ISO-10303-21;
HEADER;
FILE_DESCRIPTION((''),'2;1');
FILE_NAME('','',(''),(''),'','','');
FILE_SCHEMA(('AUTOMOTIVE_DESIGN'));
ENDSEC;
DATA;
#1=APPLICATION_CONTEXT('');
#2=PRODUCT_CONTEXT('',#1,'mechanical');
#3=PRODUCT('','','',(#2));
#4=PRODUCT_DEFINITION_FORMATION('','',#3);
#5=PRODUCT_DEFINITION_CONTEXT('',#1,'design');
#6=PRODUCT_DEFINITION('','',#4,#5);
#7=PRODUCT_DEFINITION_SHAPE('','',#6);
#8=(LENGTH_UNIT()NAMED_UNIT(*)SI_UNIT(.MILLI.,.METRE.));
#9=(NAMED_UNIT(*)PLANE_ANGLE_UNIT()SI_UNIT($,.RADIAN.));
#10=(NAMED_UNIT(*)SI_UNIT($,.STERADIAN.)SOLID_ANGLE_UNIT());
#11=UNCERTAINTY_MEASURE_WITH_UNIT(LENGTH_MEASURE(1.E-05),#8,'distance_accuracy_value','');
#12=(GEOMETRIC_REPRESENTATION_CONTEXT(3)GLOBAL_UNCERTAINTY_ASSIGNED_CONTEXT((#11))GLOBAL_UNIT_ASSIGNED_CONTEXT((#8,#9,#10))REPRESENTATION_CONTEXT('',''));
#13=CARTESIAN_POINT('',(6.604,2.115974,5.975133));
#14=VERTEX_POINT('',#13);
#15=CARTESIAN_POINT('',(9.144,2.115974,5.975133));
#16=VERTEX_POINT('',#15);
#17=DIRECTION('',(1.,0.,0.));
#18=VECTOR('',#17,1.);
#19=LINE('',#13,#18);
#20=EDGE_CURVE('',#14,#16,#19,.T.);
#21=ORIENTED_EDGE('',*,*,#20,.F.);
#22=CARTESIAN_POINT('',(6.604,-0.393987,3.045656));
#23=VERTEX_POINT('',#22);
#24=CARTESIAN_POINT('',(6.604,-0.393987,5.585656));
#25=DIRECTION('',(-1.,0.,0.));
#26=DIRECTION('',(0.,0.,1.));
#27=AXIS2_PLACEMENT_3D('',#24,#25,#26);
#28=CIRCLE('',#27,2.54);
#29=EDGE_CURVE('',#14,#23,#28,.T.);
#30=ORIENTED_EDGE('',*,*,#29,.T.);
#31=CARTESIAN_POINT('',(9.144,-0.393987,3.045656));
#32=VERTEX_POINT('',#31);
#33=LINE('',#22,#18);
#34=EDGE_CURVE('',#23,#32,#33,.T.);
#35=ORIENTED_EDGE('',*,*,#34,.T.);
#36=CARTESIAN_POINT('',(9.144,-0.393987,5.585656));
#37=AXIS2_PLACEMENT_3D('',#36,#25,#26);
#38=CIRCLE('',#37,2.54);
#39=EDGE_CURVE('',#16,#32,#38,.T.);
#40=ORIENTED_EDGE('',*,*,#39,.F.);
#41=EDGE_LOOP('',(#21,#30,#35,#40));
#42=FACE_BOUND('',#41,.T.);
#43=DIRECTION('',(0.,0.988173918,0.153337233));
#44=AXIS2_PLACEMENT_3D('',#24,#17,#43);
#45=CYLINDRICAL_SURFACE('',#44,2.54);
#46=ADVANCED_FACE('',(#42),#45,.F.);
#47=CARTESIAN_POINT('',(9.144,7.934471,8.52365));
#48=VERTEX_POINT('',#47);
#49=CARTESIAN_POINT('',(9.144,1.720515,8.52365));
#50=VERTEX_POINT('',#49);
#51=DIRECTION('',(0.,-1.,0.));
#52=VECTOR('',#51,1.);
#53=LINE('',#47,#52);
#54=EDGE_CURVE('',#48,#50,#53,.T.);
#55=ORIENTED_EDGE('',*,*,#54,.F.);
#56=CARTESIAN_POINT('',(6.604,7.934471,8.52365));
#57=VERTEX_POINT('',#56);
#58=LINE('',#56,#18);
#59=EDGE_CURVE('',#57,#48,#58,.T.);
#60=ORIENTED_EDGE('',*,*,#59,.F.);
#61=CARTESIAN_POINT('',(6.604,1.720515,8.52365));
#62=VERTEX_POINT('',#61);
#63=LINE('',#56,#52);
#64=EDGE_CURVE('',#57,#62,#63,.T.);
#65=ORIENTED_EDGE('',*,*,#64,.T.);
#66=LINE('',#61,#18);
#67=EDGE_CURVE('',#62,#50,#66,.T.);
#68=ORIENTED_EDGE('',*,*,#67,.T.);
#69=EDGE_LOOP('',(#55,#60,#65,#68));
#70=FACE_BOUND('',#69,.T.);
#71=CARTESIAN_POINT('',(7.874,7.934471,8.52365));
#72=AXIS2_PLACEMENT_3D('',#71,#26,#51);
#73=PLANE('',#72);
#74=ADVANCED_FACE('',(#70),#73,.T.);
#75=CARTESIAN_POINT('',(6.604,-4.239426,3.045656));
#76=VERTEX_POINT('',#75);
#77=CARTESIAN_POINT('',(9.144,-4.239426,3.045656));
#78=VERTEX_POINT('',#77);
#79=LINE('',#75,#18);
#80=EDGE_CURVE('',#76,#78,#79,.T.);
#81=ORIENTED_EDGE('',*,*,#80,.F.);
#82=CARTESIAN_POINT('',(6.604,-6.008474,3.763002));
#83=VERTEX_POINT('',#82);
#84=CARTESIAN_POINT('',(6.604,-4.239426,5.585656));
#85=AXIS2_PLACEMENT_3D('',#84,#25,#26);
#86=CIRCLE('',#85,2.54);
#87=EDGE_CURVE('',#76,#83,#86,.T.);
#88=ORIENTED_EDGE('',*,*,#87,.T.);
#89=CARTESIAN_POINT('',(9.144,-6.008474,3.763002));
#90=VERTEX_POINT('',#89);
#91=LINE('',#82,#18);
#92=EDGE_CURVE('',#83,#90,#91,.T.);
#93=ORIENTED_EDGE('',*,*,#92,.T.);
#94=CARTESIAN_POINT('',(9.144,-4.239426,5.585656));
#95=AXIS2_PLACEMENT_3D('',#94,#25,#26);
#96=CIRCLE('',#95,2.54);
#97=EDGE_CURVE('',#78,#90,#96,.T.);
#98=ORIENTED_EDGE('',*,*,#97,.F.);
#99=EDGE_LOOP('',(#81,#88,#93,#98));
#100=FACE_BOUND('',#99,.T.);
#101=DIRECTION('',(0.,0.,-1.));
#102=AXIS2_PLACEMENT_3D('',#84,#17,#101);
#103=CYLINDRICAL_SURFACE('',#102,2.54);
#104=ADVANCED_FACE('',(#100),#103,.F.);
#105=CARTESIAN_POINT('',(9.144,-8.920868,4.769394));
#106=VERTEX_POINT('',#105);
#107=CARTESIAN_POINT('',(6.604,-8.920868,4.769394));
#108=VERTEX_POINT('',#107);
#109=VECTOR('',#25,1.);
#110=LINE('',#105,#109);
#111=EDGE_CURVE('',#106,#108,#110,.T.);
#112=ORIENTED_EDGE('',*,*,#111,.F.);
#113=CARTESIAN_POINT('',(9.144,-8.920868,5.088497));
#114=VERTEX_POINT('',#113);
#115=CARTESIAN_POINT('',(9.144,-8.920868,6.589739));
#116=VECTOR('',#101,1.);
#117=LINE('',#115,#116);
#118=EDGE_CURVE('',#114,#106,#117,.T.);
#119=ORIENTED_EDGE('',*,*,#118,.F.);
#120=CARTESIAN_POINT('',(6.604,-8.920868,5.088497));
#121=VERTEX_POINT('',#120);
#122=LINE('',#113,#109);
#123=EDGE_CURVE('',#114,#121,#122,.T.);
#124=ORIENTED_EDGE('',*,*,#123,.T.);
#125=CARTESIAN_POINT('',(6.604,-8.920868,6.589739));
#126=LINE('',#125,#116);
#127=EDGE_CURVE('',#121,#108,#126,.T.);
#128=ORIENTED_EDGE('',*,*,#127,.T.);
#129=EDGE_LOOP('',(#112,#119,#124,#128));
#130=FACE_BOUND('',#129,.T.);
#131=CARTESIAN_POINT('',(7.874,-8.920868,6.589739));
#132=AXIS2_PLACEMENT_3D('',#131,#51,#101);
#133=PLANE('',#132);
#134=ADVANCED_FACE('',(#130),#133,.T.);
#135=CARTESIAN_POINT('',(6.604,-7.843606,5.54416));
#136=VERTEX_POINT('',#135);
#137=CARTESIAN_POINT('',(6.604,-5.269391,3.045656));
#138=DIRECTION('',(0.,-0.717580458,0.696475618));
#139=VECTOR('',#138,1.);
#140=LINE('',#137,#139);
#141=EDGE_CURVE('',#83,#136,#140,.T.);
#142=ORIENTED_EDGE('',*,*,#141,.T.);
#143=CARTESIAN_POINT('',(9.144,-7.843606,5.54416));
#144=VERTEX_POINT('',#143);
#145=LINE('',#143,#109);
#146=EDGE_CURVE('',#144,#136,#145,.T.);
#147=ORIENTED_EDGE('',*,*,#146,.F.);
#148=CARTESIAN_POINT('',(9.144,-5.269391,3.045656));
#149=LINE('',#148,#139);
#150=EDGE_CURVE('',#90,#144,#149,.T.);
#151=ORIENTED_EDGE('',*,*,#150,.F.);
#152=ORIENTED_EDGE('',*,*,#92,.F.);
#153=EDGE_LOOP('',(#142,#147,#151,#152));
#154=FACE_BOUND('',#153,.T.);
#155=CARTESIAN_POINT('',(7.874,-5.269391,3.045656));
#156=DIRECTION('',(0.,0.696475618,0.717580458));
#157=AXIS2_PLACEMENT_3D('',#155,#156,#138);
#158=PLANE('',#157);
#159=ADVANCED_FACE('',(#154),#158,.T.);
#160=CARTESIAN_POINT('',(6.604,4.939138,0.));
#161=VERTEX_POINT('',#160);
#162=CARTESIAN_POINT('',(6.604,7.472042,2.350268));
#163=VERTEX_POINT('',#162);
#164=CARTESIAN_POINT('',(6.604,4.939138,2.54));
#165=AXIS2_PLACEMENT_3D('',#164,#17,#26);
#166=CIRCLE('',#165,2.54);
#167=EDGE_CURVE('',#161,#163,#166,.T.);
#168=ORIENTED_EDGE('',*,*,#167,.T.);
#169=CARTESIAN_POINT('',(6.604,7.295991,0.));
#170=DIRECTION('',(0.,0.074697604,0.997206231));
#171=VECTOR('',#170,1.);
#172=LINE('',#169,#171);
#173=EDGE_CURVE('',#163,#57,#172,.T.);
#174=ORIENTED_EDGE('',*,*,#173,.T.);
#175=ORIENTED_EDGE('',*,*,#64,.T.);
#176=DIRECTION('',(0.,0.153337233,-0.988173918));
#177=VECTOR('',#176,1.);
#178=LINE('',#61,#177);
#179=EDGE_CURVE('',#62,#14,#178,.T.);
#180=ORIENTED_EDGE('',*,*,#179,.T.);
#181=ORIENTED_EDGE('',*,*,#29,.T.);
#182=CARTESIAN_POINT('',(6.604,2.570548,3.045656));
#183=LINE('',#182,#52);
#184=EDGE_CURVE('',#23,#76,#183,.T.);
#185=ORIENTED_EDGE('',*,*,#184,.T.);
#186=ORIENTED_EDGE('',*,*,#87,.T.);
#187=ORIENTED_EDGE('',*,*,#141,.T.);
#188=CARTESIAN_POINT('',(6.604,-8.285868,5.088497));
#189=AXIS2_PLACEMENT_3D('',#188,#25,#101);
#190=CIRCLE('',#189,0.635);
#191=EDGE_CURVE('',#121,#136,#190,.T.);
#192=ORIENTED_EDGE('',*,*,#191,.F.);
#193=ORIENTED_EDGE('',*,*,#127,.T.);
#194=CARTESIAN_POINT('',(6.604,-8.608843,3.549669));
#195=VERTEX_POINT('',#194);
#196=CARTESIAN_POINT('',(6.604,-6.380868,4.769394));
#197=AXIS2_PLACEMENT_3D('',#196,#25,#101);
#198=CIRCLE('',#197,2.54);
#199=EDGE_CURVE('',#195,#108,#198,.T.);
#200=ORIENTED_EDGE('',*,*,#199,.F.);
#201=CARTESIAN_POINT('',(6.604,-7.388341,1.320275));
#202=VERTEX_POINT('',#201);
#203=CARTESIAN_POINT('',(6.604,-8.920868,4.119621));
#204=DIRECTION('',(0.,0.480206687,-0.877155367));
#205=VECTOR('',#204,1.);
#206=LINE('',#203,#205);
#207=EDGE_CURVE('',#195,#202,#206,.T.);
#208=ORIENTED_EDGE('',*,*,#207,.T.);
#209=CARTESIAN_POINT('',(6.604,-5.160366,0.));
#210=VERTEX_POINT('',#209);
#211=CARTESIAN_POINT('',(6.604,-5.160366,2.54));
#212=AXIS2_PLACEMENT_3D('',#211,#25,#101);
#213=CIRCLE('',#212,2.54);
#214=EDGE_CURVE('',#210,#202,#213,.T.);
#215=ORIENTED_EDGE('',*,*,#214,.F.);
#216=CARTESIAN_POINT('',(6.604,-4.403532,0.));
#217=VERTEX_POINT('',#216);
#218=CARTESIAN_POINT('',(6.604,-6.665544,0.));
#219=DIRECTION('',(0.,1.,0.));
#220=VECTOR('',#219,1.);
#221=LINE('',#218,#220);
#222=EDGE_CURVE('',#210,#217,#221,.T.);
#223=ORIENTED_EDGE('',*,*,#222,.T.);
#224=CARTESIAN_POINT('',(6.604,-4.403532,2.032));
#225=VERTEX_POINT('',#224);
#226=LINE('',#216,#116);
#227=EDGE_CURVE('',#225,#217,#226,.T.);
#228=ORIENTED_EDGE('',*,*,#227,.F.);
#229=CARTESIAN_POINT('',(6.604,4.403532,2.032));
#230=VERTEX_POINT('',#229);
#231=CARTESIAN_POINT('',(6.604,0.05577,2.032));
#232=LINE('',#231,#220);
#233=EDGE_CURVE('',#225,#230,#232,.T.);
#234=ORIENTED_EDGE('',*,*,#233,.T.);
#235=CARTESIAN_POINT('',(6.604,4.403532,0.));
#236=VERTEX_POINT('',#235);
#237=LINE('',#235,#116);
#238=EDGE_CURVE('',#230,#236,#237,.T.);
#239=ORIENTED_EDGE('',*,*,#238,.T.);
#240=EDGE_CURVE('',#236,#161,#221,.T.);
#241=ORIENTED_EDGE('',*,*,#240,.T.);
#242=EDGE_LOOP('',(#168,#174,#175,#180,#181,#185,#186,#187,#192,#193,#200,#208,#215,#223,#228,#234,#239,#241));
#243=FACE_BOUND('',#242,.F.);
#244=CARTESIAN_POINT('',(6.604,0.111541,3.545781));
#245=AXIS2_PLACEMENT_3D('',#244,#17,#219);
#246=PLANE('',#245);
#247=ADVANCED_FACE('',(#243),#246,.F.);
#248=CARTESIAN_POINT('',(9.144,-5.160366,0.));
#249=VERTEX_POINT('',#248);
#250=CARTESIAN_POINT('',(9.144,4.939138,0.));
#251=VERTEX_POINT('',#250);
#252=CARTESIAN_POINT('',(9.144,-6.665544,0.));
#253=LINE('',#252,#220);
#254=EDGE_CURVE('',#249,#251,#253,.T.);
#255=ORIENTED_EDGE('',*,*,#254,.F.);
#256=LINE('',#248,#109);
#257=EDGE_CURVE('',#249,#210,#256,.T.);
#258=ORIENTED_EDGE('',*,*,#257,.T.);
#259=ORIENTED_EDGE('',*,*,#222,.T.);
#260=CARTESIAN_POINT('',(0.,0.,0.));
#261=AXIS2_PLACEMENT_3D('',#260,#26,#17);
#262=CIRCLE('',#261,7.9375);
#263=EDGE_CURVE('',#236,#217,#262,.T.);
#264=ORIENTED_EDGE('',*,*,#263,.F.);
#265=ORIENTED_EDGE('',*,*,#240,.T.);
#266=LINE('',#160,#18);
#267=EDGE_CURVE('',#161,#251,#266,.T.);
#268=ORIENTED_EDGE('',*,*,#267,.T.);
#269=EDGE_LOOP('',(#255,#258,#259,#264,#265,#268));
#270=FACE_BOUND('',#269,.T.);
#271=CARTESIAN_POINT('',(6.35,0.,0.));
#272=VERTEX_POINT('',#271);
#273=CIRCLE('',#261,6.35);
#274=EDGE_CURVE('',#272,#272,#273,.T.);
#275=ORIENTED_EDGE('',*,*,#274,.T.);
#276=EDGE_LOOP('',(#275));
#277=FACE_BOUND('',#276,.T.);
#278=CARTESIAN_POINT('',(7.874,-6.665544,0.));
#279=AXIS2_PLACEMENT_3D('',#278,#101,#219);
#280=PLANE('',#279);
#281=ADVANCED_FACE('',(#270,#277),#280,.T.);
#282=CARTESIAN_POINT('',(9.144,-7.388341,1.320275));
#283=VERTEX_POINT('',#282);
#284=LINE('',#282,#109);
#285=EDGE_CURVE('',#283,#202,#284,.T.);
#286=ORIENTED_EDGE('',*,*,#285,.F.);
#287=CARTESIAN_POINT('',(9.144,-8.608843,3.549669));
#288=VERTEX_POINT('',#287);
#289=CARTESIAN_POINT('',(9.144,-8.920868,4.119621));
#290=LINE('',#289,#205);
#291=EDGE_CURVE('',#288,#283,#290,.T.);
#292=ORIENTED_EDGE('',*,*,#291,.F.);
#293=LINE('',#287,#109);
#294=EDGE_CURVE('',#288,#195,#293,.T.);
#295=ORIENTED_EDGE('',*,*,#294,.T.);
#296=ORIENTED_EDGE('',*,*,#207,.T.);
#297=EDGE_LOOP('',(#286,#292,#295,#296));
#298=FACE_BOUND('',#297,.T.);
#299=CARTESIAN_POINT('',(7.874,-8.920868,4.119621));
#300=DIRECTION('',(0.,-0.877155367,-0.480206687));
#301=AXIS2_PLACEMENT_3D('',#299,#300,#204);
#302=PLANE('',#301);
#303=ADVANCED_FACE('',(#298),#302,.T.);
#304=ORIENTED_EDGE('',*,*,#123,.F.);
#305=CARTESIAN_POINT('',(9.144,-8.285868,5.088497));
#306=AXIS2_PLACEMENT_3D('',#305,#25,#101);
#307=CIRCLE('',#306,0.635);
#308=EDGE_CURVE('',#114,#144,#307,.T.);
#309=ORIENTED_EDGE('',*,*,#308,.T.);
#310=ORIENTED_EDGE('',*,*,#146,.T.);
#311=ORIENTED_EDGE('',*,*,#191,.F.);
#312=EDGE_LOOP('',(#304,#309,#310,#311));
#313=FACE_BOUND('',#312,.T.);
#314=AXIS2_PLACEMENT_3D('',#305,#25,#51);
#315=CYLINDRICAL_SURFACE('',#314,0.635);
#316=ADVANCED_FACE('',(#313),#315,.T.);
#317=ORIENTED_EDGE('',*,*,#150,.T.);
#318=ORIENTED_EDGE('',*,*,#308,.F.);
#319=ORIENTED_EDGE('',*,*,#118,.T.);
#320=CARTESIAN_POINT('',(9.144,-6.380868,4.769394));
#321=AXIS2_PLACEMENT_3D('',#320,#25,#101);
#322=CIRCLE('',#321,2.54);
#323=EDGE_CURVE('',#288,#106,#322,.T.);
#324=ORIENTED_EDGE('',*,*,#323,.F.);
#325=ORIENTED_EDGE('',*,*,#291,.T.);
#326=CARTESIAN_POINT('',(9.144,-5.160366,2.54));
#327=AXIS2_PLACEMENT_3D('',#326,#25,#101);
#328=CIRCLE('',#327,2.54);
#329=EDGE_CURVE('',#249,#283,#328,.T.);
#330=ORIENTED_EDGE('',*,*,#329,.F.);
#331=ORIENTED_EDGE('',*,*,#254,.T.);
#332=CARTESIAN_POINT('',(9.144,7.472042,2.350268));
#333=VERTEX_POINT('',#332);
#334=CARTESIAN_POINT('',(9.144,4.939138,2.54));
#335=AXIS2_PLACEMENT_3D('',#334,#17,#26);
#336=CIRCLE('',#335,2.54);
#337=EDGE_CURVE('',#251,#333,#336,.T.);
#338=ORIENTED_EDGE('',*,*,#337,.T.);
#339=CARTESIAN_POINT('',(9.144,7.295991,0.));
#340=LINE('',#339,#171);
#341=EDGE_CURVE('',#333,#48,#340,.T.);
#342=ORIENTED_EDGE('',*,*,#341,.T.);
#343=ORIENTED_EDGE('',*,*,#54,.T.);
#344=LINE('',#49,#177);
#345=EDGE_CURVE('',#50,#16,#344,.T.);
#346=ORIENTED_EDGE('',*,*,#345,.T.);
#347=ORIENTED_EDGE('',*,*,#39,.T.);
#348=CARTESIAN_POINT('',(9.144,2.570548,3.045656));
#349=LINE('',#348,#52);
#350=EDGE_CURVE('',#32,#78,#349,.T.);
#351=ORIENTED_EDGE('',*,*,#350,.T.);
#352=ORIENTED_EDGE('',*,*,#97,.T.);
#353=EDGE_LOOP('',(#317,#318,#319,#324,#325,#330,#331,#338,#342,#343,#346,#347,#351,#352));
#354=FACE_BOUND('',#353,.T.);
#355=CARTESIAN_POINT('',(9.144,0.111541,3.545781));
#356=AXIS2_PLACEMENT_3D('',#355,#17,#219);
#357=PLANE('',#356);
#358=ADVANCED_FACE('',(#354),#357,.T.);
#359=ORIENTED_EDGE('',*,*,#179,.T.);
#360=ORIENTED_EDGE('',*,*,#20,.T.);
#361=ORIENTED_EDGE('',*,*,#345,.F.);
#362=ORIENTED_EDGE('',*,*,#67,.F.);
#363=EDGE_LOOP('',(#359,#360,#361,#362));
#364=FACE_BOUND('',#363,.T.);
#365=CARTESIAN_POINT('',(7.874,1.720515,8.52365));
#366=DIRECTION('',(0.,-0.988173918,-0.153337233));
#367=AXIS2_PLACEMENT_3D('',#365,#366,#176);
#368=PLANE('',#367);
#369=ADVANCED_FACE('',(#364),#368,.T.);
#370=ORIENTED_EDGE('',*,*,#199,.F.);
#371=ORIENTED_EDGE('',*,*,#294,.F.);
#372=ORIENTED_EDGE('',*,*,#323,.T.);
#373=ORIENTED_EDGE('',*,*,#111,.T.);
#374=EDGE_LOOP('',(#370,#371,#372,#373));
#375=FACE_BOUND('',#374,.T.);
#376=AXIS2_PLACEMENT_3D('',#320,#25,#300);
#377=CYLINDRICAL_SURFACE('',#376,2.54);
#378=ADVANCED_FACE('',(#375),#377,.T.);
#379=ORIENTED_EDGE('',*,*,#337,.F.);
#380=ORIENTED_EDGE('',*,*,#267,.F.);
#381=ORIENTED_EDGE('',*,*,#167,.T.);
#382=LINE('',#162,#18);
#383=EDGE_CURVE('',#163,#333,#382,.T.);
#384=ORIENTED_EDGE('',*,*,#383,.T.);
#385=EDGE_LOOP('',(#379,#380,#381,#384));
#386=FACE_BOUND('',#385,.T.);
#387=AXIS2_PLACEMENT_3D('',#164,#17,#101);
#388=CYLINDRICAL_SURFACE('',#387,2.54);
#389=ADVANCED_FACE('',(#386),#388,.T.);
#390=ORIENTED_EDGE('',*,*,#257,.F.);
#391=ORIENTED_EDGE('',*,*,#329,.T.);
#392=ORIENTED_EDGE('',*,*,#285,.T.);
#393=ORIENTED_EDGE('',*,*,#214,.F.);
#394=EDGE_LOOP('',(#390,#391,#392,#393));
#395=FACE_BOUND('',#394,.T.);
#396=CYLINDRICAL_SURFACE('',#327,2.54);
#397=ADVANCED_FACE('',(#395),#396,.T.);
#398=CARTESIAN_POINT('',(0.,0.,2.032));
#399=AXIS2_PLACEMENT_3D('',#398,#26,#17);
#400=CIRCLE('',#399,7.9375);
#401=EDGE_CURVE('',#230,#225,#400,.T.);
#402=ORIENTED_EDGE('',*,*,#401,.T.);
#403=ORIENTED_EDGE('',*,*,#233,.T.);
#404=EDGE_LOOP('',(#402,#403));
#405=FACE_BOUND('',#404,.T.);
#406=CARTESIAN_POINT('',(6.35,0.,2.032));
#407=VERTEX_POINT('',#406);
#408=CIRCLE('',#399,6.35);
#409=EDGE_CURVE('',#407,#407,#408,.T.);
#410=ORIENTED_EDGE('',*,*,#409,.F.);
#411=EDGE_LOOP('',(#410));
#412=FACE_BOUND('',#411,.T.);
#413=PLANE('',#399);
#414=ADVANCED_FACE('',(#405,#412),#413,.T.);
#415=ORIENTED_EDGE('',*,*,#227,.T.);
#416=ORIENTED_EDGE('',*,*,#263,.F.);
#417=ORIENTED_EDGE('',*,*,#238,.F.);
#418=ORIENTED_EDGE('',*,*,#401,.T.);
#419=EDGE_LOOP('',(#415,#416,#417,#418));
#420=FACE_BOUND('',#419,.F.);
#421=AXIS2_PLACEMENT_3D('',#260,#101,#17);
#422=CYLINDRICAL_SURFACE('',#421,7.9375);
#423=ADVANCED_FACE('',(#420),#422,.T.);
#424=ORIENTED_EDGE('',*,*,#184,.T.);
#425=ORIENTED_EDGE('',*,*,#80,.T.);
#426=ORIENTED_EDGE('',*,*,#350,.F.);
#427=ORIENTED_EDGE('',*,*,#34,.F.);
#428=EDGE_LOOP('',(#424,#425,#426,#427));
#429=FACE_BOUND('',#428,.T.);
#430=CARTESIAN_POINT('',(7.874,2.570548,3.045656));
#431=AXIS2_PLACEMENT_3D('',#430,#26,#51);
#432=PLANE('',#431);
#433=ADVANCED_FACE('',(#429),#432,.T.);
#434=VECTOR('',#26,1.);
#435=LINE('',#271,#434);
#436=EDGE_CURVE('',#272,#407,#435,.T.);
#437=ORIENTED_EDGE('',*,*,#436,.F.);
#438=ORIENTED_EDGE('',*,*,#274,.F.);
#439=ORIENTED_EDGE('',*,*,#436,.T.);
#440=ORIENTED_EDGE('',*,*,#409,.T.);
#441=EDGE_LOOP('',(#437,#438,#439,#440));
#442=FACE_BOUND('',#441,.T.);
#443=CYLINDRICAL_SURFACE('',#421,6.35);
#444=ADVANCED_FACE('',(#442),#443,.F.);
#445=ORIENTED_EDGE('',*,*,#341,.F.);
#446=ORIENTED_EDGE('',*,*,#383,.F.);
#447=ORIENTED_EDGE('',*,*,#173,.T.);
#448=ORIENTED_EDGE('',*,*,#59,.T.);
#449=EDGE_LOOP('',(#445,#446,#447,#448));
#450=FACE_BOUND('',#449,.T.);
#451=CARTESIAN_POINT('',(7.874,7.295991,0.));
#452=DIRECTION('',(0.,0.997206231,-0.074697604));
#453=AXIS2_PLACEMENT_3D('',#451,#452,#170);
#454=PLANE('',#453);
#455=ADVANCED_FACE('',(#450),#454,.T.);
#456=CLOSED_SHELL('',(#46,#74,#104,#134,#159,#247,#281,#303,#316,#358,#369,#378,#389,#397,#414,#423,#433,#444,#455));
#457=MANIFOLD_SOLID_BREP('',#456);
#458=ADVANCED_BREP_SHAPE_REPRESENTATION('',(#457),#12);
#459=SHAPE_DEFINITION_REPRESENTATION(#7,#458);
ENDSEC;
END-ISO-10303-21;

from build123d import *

# Parameters (mm, degrees)
F0_R     = 7.9375
F0_R_2   = 6.35
F1_DEPTH = 2.032
F4_DEPTH = 1.27
F5_R     = 2.54
F6_R     = 0.635


with BuildPart() as f1:
    # F0 (on Top) → F1 (new body)
    with BuildSketch(Plane.XY):
        Circle(F0_R)
        Circle(F0_R_2, mode=Mode.SUBTRACT)
    extrude(amount=F1_DEPTH)

    # F3 (on offset) → F4 (join, symmetric)
    with BuildSketch(Plane.YZ.offset(7.874)):
        Polygon((-6.665544, 0), (7.295991, 0), (7.934471, 8.52365), (1.720515, 8.52365), (2.570548, 3.045656), (-5.269391, 3.045656), (-8.920868, 6.589739), (-8.920868, 4.119621), align=None)
    extrude(amount=F4_DEPTH, both=True)

    # F5
    f5_edges = [f1.edges().sort_by_distance(p)[0] for p in [
        (7.874, 2.570548, 3.045656),
        (7.874, -5.269391, 3.045656),
        (7.874, 7.295991, 0),
        (7.874, -6.665544, 0),
        (7.874, -8.920868, 4.119621),
    ]]
    fillet(f5_edges, radius=F5_R)

    # F6
    f6_edges = [f1.edges().sort_by_distance(p)[0] for p in [
        (7.874, -8.920868, 6.589739),
    ]]
    fillet(f6_edges, radius=F6_R)


solid = f1.part
